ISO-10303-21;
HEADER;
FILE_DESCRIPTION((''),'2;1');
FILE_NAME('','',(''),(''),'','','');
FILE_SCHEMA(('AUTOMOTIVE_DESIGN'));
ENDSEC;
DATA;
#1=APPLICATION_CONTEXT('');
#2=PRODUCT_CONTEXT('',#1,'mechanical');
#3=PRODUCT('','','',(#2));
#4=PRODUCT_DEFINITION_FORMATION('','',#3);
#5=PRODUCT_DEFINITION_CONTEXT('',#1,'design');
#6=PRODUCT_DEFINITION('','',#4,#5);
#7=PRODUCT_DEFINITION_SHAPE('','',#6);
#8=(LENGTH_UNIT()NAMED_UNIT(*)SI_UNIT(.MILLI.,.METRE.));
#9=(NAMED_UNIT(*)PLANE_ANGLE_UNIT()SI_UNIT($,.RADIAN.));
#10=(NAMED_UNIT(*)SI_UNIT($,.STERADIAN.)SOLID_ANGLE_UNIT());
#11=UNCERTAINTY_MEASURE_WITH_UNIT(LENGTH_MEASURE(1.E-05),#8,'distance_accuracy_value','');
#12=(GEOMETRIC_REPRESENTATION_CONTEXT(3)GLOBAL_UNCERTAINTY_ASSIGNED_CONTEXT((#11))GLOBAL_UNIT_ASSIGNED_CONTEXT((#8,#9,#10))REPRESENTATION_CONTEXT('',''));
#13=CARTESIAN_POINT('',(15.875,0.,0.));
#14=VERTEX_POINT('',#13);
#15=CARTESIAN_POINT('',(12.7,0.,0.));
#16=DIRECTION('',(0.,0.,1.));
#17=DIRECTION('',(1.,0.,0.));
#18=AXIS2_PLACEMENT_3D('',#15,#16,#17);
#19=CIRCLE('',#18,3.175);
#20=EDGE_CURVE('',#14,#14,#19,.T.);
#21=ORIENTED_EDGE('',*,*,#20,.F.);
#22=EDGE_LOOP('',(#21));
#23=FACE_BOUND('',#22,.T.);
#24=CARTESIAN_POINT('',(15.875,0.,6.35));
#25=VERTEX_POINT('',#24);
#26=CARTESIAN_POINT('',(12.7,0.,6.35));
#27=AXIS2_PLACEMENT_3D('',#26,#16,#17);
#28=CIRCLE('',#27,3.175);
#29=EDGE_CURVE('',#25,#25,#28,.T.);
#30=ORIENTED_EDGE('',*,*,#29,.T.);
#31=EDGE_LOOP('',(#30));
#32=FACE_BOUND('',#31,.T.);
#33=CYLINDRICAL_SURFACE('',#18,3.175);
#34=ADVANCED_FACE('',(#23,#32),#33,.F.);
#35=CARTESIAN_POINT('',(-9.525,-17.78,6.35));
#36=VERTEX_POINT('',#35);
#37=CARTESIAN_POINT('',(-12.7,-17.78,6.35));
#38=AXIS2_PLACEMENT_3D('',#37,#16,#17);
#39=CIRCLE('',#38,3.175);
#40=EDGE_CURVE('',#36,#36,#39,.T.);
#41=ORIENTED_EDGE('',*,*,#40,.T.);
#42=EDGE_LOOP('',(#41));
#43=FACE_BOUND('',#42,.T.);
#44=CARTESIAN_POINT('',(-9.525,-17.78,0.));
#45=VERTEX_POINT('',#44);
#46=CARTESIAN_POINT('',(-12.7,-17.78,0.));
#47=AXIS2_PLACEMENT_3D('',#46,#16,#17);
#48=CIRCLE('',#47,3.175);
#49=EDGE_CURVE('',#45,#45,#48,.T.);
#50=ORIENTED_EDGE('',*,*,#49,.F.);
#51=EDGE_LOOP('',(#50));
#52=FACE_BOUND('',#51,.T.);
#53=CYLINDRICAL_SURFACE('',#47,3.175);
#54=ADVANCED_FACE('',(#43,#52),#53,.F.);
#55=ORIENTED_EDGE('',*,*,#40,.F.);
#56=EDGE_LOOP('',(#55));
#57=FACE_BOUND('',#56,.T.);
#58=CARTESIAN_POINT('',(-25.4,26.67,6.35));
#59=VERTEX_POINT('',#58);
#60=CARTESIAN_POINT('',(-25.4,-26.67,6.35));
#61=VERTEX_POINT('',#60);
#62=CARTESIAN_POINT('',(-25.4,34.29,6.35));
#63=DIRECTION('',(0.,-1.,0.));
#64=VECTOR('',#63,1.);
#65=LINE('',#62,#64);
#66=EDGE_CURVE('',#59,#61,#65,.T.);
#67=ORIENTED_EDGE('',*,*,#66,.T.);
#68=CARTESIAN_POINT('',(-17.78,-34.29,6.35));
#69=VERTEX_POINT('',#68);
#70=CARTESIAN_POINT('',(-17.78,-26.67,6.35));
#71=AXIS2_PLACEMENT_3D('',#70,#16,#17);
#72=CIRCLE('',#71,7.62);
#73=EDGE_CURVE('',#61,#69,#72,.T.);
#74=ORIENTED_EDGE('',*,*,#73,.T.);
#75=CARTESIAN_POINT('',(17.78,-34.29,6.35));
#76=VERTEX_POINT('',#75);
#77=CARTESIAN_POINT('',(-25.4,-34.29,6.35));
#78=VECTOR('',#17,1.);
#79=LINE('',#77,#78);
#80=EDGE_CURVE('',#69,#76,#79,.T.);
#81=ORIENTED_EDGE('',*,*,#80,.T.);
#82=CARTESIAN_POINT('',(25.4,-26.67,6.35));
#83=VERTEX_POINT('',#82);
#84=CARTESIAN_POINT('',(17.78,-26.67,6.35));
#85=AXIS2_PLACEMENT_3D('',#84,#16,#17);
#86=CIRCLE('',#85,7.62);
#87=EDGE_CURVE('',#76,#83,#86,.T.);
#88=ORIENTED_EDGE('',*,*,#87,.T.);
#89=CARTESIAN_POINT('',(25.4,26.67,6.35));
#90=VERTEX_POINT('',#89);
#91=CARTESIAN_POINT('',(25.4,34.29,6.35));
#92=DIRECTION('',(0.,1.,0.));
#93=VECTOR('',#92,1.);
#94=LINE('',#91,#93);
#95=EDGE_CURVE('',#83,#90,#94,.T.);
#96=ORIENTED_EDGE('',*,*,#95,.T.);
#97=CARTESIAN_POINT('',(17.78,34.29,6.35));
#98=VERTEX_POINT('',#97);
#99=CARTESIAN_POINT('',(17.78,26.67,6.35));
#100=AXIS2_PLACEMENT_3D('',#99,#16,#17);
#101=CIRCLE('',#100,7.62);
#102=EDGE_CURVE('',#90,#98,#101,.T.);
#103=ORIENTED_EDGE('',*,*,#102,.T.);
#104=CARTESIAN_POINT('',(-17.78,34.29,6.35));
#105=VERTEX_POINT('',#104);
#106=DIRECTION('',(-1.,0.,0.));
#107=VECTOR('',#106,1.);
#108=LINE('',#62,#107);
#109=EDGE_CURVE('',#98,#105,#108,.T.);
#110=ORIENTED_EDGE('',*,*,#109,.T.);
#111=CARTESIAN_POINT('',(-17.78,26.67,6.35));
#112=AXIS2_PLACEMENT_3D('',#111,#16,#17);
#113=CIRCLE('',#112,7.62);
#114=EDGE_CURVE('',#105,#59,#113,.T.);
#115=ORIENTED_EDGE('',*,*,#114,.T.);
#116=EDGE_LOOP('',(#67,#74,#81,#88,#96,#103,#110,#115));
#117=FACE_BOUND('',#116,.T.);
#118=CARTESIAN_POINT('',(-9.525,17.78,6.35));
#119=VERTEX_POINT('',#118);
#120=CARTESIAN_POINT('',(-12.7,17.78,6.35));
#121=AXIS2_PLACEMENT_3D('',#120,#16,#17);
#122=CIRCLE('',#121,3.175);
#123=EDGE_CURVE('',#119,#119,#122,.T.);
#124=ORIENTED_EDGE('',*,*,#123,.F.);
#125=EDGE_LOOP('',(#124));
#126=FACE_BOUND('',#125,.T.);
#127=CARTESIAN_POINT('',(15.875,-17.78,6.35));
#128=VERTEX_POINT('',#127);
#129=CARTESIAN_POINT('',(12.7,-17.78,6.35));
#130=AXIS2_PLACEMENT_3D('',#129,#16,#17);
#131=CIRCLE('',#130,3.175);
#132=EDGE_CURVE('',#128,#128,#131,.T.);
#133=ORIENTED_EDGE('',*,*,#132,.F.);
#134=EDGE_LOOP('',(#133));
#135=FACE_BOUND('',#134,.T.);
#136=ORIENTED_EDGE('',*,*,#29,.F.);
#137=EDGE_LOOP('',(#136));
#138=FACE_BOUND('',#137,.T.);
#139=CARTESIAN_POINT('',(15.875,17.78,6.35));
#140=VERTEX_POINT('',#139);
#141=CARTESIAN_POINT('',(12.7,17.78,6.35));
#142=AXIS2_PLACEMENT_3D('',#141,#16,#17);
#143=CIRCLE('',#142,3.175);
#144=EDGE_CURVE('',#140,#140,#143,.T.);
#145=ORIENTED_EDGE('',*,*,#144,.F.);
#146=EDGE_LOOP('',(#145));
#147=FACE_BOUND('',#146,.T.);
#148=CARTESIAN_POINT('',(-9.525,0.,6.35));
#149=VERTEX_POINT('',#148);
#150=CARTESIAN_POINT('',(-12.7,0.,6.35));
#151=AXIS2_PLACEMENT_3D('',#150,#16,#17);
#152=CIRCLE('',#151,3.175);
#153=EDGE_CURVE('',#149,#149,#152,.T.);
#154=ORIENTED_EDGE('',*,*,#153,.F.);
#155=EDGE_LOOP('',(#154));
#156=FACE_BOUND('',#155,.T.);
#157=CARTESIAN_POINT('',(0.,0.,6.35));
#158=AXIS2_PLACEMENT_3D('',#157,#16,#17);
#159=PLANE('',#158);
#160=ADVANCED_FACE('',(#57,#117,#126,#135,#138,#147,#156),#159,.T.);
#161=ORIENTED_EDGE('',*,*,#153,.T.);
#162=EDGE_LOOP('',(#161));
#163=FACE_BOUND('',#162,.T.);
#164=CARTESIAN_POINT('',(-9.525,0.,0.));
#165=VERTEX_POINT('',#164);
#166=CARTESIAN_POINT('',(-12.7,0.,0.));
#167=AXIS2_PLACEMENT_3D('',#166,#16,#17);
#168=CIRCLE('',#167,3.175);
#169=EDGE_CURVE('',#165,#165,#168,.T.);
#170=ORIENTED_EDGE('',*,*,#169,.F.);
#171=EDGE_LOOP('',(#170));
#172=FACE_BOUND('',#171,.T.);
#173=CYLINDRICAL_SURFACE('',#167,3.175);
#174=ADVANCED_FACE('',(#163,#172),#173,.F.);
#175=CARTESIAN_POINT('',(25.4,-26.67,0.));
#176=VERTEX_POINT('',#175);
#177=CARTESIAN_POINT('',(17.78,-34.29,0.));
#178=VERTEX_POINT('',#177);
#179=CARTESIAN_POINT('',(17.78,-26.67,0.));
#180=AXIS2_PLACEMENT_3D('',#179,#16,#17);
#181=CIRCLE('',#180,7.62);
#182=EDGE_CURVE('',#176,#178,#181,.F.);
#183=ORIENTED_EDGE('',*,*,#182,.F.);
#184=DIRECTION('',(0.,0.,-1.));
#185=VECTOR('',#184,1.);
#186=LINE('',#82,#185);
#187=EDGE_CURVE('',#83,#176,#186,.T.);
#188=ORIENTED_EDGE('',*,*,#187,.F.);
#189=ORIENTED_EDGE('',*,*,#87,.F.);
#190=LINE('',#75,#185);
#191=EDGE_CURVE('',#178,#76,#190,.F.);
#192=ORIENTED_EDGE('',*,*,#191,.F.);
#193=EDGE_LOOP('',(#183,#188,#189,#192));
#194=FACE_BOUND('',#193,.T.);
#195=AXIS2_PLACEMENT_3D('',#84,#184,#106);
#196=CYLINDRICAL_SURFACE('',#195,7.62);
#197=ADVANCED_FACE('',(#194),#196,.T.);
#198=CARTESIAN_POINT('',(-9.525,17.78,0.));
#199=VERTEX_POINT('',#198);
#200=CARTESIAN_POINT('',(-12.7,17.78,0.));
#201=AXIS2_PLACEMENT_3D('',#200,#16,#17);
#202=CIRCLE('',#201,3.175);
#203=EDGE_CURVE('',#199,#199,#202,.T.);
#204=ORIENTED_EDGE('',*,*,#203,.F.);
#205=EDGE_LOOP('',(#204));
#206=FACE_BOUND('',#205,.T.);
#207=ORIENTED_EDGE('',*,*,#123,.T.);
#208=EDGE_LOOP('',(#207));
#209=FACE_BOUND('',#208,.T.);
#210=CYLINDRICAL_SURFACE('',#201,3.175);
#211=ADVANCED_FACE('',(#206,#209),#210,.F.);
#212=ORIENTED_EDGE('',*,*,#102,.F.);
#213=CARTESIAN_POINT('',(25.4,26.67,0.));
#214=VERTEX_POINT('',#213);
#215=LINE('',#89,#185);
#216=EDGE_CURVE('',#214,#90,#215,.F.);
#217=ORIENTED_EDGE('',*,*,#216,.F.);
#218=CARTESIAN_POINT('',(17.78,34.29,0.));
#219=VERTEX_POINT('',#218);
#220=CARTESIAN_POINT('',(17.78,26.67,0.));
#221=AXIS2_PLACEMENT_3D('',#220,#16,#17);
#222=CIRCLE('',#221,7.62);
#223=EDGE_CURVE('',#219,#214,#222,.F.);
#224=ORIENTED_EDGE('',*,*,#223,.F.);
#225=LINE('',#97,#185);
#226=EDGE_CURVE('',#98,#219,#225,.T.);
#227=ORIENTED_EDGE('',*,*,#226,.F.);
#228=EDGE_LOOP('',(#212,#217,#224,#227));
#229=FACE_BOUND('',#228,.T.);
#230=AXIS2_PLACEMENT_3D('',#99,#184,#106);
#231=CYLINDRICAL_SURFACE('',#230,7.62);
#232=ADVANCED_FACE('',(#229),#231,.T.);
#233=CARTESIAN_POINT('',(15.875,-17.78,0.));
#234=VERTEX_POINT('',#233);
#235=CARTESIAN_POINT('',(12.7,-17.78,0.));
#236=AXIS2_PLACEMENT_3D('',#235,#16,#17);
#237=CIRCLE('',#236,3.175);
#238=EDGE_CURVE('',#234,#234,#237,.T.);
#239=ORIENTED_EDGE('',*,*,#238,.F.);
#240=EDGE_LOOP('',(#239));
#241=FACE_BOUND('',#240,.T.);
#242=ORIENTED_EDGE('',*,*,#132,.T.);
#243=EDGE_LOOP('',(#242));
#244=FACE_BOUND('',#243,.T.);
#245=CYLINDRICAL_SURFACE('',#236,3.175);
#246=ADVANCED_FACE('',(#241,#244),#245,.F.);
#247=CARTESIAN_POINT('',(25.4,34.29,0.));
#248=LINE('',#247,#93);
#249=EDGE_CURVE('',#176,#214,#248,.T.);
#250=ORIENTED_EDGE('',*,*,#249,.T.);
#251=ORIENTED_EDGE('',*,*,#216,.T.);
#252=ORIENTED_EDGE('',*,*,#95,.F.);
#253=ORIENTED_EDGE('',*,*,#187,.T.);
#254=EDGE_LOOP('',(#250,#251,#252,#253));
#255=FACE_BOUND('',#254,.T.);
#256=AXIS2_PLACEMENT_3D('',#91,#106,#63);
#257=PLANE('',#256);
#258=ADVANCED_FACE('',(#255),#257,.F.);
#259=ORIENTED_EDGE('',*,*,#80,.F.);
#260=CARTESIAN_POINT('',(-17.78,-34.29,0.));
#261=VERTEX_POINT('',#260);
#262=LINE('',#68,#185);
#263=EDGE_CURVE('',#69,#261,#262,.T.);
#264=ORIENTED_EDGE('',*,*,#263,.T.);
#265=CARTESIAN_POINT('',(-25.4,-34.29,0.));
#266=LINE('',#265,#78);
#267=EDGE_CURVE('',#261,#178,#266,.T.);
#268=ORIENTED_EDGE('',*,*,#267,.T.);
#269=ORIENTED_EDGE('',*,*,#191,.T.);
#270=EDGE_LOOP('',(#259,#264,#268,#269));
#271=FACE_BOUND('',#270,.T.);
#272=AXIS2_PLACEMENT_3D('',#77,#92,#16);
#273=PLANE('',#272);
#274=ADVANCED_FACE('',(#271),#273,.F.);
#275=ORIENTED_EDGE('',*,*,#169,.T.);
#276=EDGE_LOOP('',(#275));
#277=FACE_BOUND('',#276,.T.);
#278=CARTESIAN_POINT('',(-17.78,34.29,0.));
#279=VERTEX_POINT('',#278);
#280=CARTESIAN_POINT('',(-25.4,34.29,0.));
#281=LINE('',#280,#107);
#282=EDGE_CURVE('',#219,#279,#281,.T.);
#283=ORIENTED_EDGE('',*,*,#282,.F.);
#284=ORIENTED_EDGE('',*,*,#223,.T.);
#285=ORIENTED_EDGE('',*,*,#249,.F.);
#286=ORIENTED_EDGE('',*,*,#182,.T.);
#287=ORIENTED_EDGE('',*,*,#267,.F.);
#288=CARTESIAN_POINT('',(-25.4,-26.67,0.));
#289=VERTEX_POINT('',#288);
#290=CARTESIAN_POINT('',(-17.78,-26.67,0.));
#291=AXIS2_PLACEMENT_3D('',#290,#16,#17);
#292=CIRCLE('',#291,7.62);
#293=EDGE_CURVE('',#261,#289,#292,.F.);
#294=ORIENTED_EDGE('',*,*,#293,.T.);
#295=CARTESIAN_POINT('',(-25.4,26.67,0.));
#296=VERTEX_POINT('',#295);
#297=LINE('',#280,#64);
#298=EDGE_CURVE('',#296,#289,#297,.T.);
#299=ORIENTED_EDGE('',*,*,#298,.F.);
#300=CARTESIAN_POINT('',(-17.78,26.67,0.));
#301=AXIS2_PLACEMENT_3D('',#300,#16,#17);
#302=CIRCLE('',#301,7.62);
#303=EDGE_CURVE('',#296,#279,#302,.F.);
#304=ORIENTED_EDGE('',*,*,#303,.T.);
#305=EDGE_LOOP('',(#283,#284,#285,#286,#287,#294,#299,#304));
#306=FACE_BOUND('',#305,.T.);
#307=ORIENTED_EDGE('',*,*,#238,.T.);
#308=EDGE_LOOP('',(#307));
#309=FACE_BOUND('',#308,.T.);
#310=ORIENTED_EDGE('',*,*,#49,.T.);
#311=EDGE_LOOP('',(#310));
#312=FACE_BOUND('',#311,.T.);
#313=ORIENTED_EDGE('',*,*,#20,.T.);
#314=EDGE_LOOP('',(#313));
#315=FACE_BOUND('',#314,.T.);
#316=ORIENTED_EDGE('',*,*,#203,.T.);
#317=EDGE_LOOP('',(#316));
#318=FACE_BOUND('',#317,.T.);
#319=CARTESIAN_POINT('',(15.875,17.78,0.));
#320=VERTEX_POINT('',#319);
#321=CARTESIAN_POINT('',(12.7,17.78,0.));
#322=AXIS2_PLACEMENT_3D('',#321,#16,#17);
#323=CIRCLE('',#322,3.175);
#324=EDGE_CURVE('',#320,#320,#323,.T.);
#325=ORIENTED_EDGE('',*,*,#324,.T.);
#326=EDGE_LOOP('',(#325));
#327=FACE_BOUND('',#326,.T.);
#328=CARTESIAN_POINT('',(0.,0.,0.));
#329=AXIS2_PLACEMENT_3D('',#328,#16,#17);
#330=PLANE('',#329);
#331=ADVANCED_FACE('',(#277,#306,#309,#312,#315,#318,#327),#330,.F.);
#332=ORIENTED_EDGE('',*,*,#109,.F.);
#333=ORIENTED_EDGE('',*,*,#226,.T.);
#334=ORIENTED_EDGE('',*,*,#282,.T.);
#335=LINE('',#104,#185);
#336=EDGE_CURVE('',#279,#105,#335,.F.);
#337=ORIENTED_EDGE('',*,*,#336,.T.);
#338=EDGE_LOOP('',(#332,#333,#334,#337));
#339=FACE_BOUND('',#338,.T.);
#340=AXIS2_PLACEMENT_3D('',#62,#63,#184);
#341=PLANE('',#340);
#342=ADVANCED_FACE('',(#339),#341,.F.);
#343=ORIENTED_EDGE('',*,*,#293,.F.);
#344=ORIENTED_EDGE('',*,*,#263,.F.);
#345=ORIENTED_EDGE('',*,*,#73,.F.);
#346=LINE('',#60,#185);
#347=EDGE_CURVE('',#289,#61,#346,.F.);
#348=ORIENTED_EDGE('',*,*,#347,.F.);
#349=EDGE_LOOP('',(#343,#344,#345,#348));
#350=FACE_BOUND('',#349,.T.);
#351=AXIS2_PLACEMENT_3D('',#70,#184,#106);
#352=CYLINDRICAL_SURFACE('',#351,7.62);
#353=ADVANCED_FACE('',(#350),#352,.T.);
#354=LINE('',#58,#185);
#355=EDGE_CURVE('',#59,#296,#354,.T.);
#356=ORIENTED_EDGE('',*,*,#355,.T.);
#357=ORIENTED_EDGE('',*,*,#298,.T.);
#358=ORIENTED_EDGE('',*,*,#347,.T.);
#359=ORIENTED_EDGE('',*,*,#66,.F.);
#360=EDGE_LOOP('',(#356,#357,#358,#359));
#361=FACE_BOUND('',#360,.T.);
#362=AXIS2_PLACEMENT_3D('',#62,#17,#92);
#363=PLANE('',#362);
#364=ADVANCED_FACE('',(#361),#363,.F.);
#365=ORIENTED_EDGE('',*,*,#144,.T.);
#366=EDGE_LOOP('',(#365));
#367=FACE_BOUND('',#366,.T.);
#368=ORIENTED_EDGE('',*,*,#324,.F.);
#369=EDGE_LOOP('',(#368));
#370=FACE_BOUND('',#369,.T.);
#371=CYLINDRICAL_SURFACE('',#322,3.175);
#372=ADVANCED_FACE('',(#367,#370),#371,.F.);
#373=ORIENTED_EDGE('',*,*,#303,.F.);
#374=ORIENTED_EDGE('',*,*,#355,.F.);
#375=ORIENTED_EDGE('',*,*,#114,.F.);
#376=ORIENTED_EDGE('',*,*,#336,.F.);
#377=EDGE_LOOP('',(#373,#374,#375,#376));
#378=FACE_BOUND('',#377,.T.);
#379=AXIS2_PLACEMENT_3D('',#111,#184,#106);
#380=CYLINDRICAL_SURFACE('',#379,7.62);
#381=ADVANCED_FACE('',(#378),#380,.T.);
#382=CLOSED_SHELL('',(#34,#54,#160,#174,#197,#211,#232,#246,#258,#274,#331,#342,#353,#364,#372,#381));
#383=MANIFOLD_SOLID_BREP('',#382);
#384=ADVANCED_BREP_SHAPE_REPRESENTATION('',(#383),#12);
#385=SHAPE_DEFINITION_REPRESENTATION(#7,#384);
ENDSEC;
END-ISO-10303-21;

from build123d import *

# Parameters (mm, degrees)
SKETCH2_W           = 50.8
SKETCH2_H           = 68.58
BOSS_EXTRUDE1_DEPTH = 6.35
FILLET1_R           = 7.62
SKETCH5_R           = 3.175
CUT_EXTRUDE1_DEPTH  = 44.142630889
LPATTERN1_COUNT     = 2
LPATTERN1_PITCH     = 17.78
LPATTERN1_COL_COUNT = 2
LPATTERN1_COL_PITCH = 17.78


with BuildPart() as part:
    # Sketch2 → Boss-Extrude1 (new body)
    with BuildSketch(Plane.XY):
        Rectangle(SKETCH2_W, SKETCH2_H)
    extrude(amount=BOSS_EXTRUDE1_DEPTH)

    # Fillet1
    fillet1_edges = [part.edges().sort_by_distance(p)[0] for p in [
        (25.4, -34.29, 3.175),
        (-25.4, -34.29, 3.175),
        (-25.4, 34.29, 3.175),
        (25.4, 34.29, 3.175),
    ]]
    fillet(fillet1_edges, radius=FILLET1_R)

    # Sketch5 → Cut-Extrude1 (cut, through all)
    with BuildSketch(Plane.XY.offset(6.35)):
        with Locations((-12.7, 0)):
            Circle(SKETCH5_R)
        with Locations((12.7, 0)):
            Circle(SKETCH5_R)
    cut_extrude1 = extrude(amount=-CUT_EXTRUDE1_DEPTH, mode=Mode.SUBTRACT)

    # LPattern1: Cut-Extrude1 ×2
    with Locations(*[(0, -i * LPATTERN1_PITCH, 0) for i in range(1, LPATTERN1_COUNT)]):
        add(cut_extrude1, mode=Mode.SUBTRACT)

    # LPattern1 col: Cut-Extrude1 ×2
    with Locations(*[(0, i * LPATTERN1_COL_PITCH, 0) for i in range(1, LPATTERN1_COL_COUNT)]):
        add(cut_extrude1, mode=Mode.SUBTRACT)


solid = part.part
